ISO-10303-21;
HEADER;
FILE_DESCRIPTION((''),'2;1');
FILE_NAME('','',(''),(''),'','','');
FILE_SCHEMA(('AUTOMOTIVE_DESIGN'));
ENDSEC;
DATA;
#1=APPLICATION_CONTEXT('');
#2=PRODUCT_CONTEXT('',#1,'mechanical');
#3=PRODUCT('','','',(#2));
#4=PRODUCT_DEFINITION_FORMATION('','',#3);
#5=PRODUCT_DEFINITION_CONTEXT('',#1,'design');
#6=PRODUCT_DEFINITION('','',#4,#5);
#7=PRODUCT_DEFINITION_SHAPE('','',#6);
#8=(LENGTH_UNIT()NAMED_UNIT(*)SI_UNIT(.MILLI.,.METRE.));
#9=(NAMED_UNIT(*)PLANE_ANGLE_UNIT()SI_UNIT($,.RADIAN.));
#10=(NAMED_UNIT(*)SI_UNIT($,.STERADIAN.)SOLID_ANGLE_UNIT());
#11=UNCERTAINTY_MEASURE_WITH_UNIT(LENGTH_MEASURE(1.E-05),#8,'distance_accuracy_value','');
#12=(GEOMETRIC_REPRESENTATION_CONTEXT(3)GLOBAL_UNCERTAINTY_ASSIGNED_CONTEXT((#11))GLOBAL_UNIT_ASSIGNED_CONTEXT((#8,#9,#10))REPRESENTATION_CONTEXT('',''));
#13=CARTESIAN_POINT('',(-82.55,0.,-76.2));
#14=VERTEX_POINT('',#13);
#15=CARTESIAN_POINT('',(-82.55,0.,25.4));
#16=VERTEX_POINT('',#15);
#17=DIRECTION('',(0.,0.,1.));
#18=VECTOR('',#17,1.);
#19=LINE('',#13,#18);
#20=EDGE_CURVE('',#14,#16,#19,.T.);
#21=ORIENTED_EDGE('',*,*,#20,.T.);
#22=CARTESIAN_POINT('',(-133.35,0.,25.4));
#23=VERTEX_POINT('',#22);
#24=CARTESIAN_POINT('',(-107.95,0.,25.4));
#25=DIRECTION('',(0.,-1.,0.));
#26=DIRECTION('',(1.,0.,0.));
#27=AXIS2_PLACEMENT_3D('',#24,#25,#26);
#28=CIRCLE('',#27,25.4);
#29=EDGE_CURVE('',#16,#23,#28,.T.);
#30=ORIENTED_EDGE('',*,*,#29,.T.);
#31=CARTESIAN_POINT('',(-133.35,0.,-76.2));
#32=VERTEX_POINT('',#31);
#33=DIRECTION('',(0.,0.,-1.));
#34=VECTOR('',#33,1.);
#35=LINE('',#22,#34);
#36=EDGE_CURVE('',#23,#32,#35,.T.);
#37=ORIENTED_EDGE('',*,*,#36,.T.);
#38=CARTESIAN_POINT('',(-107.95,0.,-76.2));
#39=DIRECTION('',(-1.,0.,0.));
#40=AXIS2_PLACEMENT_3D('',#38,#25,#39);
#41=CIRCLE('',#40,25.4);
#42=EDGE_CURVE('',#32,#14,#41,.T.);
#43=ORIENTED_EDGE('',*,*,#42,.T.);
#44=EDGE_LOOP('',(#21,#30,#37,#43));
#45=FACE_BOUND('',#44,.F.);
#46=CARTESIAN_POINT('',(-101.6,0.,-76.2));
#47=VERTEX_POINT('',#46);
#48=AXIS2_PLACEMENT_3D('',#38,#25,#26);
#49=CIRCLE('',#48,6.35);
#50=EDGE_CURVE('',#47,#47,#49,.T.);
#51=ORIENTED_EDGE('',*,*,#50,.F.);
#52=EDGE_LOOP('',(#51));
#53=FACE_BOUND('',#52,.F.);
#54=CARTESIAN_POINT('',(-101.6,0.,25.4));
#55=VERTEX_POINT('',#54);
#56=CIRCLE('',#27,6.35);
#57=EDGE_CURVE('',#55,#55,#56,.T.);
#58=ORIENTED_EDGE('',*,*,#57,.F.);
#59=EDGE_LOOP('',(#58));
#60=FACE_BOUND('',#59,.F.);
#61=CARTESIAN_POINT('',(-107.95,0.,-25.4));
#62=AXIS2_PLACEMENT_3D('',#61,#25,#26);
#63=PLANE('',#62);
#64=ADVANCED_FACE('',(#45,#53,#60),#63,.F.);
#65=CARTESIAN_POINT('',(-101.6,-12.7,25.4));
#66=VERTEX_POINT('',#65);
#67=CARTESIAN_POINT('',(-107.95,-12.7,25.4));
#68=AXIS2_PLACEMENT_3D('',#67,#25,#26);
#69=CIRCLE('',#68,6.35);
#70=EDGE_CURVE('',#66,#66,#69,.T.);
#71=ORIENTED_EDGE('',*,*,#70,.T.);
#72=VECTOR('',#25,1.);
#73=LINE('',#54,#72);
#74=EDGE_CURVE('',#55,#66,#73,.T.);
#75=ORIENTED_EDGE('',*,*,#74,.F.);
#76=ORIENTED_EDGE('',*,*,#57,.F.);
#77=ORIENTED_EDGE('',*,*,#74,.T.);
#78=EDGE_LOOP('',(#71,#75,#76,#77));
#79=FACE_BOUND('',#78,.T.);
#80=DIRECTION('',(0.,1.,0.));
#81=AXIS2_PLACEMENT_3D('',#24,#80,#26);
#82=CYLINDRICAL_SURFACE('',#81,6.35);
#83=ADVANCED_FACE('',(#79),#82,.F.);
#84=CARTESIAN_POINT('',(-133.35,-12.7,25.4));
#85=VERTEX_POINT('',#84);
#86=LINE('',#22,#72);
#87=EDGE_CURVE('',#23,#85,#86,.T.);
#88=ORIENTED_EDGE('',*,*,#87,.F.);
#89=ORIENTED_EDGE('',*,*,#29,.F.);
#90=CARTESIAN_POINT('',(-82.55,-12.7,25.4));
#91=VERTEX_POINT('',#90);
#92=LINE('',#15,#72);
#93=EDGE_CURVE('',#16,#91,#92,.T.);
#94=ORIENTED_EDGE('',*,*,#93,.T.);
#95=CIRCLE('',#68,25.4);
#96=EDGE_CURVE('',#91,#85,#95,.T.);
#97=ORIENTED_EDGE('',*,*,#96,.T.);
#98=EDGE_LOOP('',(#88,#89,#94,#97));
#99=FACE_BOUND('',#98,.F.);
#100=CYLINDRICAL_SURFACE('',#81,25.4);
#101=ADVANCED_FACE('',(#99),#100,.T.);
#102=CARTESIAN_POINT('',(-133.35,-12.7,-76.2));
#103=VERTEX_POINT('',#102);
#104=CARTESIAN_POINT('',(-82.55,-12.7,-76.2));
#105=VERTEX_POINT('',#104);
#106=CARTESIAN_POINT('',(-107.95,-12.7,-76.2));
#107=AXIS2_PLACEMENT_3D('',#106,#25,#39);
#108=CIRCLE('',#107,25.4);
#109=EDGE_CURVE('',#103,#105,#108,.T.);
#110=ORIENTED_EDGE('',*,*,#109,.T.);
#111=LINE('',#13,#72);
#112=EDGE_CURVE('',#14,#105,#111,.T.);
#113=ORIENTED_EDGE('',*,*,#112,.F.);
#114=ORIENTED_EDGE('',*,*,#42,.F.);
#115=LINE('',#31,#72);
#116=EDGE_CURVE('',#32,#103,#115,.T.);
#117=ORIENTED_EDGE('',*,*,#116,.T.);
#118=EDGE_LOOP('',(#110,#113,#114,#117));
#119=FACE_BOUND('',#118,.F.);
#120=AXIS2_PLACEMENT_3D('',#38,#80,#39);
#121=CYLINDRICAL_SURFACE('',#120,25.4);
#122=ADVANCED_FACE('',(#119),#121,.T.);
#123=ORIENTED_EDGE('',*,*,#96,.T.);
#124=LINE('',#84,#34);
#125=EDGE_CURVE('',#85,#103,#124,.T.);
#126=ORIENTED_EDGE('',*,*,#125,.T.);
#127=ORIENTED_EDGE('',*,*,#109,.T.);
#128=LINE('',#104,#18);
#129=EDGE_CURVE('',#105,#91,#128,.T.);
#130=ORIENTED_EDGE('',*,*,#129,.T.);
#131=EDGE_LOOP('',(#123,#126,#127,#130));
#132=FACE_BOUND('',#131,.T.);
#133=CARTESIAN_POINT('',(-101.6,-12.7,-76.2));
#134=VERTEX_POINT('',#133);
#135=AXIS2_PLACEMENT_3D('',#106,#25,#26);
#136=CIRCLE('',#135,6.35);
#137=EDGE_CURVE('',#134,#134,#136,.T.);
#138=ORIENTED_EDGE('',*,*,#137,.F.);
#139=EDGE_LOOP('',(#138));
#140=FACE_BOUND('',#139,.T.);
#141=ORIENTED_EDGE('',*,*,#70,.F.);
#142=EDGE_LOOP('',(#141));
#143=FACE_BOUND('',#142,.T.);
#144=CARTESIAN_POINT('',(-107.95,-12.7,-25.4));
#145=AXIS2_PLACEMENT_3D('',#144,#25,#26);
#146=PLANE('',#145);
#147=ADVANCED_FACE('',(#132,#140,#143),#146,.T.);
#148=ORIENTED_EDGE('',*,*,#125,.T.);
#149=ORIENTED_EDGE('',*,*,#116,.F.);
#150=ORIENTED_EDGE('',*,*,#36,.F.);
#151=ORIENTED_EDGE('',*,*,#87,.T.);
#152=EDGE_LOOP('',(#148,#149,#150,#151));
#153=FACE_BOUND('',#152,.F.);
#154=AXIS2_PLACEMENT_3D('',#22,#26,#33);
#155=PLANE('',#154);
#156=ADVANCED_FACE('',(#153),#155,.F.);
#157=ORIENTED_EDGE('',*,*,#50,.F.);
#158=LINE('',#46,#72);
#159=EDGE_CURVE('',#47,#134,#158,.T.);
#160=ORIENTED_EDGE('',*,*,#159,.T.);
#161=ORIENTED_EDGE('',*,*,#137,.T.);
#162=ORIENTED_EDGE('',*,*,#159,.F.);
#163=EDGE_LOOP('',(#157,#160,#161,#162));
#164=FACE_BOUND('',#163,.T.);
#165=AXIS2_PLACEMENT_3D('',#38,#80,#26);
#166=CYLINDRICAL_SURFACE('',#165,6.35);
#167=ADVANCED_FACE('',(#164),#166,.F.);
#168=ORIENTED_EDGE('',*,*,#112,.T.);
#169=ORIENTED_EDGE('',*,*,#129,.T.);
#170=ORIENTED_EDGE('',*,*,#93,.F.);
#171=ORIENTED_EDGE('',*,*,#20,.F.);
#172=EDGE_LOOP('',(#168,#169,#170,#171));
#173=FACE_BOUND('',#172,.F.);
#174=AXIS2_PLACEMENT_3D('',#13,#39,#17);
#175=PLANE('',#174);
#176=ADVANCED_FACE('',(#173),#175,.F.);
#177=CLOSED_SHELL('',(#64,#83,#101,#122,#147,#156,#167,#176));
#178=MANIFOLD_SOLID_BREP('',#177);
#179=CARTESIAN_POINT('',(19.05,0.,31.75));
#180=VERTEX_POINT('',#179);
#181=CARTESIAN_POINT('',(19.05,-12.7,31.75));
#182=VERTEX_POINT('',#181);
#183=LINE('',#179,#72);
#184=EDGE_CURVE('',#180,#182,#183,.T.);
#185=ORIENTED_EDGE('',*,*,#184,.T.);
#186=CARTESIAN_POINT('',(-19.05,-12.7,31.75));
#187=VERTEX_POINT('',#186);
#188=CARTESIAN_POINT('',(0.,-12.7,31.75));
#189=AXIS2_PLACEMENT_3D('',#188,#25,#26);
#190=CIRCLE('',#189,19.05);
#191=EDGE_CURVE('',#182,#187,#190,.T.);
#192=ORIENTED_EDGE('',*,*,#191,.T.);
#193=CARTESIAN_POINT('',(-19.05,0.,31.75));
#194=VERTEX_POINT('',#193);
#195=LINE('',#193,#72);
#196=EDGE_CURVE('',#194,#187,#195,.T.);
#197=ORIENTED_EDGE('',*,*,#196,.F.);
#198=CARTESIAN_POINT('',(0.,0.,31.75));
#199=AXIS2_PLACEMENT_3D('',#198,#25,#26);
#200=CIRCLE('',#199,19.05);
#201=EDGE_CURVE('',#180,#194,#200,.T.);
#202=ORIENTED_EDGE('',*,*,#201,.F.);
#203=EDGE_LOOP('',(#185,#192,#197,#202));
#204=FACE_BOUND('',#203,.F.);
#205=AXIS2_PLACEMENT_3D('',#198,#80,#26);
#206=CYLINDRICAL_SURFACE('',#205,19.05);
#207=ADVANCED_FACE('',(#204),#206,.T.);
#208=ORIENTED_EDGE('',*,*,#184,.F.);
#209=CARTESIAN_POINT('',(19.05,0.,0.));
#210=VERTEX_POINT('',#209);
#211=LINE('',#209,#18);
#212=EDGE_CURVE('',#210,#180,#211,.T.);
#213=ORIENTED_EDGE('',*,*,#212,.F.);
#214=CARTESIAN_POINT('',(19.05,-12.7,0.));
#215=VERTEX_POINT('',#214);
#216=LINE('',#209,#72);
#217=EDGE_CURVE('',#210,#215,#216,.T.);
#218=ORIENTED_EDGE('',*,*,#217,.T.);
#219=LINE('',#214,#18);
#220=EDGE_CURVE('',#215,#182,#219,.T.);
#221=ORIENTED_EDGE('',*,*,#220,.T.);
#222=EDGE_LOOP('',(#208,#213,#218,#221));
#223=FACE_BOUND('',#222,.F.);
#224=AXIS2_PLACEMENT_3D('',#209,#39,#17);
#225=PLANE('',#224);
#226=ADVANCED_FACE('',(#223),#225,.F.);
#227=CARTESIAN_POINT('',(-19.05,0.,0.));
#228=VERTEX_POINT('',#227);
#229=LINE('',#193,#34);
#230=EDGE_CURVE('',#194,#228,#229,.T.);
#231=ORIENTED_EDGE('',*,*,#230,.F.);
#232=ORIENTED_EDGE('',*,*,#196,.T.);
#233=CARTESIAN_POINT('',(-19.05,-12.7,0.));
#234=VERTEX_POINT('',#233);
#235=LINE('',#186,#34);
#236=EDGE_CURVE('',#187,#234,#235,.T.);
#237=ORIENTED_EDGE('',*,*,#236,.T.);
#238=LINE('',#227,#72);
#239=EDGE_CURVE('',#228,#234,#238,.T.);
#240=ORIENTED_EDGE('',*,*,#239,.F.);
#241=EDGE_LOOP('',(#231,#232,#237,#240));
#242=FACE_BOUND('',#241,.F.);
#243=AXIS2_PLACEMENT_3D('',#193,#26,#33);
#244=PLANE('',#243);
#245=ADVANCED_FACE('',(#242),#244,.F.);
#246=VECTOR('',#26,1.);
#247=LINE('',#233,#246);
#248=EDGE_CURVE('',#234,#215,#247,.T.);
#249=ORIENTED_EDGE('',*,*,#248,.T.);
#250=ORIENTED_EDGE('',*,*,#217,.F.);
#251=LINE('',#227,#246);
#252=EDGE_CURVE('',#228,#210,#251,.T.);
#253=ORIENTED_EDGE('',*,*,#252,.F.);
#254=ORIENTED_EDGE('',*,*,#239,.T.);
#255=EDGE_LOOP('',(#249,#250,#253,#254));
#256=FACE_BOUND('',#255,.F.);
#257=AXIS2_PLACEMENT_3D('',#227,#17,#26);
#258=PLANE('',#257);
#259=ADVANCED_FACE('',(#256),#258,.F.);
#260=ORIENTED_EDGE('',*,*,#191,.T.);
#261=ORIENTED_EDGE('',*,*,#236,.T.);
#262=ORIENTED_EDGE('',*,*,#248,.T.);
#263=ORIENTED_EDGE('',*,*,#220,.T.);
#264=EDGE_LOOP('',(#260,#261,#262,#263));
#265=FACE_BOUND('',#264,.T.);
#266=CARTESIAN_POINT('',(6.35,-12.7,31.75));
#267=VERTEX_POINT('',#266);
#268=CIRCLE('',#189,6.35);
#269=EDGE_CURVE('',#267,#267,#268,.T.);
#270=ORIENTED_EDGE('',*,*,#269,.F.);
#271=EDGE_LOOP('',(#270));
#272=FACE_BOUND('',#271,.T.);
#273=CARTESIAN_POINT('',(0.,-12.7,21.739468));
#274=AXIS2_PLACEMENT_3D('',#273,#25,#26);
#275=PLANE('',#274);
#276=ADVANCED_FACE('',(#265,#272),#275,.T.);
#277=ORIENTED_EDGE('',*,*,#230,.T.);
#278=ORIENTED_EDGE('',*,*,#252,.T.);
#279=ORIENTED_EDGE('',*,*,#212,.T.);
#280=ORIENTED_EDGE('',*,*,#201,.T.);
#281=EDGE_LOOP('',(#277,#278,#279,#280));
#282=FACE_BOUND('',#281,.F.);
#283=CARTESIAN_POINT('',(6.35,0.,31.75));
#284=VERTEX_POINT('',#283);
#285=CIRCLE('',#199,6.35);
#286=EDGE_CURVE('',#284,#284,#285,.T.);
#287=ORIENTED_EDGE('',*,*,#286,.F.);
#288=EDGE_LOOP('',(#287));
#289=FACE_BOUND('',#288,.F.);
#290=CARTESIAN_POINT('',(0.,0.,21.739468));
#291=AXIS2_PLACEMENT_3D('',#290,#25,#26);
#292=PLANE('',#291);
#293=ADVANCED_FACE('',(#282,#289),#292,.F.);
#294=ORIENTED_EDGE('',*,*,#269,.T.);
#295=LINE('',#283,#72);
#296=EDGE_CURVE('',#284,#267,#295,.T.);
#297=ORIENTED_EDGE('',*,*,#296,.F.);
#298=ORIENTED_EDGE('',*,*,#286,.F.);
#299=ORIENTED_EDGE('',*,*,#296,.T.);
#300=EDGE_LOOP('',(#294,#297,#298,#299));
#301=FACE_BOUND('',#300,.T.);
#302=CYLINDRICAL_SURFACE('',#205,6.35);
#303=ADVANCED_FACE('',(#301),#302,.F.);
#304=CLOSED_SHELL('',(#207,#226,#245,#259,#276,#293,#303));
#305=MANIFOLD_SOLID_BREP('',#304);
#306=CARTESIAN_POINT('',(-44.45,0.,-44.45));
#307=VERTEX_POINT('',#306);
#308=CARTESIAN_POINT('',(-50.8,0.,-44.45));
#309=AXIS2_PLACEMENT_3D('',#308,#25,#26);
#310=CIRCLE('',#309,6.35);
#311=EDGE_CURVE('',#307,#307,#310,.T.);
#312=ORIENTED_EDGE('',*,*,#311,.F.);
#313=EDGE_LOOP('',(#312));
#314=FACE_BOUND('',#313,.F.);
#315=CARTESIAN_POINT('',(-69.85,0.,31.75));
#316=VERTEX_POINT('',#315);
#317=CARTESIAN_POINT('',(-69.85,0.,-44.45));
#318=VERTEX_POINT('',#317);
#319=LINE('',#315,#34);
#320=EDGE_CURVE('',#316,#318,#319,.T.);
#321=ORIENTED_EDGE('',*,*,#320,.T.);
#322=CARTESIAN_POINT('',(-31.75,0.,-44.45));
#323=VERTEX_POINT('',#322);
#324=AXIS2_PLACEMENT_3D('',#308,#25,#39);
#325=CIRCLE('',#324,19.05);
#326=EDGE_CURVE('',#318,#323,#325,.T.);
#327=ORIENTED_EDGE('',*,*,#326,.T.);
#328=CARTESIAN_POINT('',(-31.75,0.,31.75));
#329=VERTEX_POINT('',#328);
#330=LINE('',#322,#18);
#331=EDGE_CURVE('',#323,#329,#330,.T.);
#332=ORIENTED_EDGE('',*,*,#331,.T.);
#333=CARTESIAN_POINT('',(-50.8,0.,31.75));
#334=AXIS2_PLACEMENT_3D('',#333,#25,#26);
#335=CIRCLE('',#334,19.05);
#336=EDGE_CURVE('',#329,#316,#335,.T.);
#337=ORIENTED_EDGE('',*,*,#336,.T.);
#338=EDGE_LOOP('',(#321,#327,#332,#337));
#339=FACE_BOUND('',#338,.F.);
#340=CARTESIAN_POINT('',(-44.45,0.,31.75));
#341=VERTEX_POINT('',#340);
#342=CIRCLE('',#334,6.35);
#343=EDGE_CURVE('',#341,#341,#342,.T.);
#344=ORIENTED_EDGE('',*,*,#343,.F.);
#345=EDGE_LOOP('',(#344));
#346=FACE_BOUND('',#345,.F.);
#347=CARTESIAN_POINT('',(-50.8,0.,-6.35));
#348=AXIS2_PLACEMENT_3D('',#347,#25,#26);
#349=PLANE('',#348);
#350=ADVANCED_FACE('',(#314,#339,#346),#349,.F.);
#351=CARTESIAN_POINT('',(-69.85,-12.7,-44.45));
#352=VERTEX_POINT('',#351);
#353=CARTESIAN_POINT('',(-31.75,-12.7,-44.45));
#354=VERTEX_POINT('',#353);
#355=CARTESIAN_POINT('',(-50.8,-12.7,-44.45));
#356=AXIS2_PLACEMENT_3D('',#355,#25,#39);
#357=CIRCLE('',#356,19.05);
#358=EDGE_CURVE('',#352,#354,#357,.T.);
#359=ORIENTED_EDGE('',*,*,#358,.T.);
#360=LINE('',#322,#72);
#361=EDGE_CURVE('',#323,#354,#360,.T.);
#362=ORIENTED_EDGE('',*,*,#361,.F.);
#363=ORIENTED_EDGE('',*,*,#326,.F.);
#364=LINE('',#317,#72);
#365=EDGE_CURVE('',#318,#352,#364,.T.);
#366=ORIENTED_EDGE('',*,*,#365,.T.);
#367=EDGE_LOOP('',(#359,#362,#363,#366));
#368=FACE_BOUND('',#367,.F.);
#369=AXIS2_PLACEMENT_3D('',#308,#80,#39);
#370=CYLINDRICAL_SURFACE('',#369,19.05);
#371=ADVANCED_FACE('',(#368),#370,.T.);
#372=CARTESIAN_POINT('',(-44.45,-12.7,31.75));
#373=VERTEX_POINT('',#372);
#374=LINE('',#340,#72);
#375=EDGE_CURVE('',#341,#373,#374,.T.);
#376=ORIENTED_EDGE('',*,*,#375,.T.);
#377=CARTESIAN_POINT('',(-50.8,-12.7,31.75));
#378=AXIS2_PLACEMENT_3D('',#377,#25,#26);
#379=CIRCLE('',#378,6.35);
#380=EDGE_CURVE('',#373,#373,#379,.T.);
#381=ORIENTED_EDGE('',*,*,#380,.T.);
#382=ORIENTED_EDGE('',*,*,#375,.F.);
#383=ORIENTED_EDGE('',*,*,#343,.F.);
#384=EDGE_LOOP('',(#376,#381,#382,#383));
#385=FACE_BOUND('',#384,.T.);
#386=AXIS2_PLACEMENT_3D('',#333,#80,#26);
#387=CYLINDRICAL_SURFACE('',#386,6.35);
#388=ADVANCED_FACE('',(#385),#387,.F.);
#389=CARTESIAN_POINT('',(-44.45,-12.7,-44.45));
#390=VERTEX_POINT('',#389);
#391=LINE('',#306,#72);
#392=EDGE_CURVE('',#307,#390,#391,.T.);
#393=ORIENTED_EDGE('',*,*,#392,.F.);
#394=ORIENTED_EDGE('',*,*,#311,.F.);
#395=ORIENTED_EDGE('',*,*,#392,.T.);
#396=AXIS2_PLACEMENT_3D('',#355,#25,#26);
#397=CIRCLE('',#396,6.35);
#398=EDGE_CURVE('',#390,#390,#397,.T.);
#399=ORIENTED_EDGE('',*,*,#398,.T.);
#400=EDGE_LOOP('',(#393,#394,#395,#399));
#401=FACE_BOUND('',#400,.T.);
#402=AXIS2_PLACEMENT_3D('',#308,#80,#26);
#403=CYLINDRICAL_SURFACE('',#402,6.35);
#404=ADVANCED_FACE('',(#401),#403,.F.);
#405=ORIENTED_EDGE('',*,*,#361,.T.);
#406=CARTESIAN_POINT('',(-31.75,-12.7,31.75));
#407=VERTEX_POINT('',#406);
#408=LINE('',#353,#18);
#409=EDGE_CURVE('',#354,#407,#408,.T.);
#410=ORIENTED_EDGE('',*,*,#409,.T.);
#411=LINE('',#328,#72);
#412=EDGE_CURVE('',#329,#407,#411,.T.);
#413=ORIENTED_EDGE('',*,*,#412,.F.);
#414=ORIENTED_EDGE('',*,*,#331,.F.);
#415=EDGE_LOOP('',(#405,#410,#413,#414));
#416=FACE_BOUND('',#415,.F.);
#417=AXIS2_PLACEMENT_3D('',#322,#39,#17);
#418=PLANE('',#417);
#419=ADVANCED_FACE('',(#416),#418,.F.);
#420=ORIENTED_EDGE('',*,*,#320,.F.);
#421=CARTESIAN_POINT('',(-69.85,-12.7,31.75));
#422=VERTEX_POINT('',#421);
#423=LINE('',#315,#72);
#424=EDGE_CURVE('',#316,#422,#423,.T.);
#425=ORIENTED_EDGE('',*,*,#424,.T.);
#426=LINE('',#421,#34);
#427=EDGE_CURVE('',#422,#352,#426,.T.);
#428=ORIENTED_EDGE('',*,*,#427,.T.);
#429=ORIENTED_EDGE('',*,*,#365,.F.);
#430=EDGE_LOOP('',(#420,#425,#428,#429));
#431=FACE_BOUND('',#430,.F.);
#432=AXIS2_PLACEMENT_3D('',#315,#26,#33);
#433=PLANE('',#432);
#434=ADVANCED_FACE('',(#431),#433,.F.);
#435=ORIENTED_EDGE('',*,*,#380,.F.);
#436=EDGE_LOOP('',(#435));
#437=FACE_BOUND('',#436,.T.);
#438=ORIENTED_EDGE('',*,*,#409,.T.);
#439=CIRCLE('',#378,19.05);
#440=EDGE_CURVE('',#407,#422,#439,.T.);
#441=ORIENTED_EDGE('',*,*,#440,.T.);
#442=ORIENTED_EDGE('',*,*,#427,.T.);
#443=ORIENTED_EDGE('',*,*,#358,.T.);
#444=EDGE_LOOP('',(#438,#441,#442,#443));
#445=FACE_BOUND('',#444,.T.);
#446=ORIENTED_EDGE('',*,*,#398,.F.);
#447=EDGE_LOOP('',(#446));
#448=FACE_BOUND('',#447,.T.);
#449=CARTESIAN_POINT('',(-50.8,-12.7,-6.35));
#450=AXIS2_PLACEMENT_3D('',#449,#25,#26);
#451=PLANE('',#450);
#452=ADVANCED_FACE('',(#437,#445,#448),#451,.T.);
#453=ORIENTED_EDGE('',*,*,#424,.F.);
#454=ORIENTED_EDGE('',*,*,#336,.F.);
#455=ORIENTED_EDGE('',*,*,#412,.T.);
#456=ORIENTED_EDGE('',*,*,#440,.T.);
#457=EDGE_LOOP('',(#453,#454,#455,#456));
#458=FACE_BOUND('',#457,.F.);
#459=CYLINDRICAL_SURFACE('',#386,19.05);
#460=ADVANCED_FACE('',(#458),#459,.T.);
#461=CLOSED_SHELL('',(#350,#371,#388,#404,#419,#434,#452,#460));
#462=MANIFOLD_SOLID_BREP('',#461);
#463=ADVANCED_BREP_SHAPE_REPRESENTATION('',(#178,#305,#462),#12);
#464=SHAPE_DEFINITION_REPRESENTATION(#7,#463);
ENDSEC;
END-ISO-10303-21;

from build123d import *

# Parameters (mm, degrees)
F0_R     = 6.35
F1_DEPTH = 12.7
F2_R     = 6.35
F3_DEPTH = 12.7
F4_R     = 6.35
F5_DEPTH = 12.7


with BuildPart() as f1:
    # F0 (on Front) → F1 (new body)
    with BuildSketch(Plane.XZ):
        with BuildLine():
            Line((19.05, 0), (19.05, 31.75))
            ThreePointArc((19.05, 31.75), (0, 50.8), (-19.05, 31.75))
            Line((-19.05, 31.75), (-19.05, 0))
            Line((-19.05, 0), (19.05, 0))
        make_face()
        with Locations((0, 31.75)):
            Circle(F0_R, mode=Mode.SUBTRACT)
    extrude(amount=F1_DEPTH)


with BuildPart() as f3:
    # F2 (on Front) → F3 (new body)
    with BuildSketch(Plane.XZ):
        with BuildLine():
            Line((-31.75, -44.45), (-31.75, 31.75))
            ThreePointArc((-31.75, 31.75), (-50.8, 50.8), (-69.85, 31.75))
            Line((-69.85, 31.75), (-69.85, -44.45))
            ThreePointArc((-69.85, -44.45), (-50.8, -63.5), (-31.75, -44.45))
        make_face()
        with Locations((-50.8, -44.45)):
            Circle(F2_R, mode=Mode.SUBTRACT)
        with Locations((-50.8, 31.75)):
            Circle(F2_R, mode=Mode.SUBTRACT)
    extrude(amount=F3_DEPTH)


with BuildPart() as f5:
    # F4 (on Front) → F5 (new body)
    with BuildSketch(Plane.XZ):
        with BuildLine():
            Line((-82.55, -76.2), (-82.55, 25.4))
            ThreePointArc((-82.55, 25.4), (-107.95, 50.8), (-133.35, 25.4))
            Line((-133.35, 25.4), (-133.35, -76.2))
            ThreePointArc((-133.35, -76.2), (-107.95, -101.6), (-82.55, -76.2))
        make_face()
        with Locations((-107.95, -76.2)):
            Circle(F4_R, mode=Mode.SUBTRACT)
        with Locations((-107.95, 25.4)):
            Circle(F4_R, mode=Mode.SUBTRACT)
    extrude(amount=F5_DEPTH)


solid = Compound([f1.part, f3.part, f5.part])
